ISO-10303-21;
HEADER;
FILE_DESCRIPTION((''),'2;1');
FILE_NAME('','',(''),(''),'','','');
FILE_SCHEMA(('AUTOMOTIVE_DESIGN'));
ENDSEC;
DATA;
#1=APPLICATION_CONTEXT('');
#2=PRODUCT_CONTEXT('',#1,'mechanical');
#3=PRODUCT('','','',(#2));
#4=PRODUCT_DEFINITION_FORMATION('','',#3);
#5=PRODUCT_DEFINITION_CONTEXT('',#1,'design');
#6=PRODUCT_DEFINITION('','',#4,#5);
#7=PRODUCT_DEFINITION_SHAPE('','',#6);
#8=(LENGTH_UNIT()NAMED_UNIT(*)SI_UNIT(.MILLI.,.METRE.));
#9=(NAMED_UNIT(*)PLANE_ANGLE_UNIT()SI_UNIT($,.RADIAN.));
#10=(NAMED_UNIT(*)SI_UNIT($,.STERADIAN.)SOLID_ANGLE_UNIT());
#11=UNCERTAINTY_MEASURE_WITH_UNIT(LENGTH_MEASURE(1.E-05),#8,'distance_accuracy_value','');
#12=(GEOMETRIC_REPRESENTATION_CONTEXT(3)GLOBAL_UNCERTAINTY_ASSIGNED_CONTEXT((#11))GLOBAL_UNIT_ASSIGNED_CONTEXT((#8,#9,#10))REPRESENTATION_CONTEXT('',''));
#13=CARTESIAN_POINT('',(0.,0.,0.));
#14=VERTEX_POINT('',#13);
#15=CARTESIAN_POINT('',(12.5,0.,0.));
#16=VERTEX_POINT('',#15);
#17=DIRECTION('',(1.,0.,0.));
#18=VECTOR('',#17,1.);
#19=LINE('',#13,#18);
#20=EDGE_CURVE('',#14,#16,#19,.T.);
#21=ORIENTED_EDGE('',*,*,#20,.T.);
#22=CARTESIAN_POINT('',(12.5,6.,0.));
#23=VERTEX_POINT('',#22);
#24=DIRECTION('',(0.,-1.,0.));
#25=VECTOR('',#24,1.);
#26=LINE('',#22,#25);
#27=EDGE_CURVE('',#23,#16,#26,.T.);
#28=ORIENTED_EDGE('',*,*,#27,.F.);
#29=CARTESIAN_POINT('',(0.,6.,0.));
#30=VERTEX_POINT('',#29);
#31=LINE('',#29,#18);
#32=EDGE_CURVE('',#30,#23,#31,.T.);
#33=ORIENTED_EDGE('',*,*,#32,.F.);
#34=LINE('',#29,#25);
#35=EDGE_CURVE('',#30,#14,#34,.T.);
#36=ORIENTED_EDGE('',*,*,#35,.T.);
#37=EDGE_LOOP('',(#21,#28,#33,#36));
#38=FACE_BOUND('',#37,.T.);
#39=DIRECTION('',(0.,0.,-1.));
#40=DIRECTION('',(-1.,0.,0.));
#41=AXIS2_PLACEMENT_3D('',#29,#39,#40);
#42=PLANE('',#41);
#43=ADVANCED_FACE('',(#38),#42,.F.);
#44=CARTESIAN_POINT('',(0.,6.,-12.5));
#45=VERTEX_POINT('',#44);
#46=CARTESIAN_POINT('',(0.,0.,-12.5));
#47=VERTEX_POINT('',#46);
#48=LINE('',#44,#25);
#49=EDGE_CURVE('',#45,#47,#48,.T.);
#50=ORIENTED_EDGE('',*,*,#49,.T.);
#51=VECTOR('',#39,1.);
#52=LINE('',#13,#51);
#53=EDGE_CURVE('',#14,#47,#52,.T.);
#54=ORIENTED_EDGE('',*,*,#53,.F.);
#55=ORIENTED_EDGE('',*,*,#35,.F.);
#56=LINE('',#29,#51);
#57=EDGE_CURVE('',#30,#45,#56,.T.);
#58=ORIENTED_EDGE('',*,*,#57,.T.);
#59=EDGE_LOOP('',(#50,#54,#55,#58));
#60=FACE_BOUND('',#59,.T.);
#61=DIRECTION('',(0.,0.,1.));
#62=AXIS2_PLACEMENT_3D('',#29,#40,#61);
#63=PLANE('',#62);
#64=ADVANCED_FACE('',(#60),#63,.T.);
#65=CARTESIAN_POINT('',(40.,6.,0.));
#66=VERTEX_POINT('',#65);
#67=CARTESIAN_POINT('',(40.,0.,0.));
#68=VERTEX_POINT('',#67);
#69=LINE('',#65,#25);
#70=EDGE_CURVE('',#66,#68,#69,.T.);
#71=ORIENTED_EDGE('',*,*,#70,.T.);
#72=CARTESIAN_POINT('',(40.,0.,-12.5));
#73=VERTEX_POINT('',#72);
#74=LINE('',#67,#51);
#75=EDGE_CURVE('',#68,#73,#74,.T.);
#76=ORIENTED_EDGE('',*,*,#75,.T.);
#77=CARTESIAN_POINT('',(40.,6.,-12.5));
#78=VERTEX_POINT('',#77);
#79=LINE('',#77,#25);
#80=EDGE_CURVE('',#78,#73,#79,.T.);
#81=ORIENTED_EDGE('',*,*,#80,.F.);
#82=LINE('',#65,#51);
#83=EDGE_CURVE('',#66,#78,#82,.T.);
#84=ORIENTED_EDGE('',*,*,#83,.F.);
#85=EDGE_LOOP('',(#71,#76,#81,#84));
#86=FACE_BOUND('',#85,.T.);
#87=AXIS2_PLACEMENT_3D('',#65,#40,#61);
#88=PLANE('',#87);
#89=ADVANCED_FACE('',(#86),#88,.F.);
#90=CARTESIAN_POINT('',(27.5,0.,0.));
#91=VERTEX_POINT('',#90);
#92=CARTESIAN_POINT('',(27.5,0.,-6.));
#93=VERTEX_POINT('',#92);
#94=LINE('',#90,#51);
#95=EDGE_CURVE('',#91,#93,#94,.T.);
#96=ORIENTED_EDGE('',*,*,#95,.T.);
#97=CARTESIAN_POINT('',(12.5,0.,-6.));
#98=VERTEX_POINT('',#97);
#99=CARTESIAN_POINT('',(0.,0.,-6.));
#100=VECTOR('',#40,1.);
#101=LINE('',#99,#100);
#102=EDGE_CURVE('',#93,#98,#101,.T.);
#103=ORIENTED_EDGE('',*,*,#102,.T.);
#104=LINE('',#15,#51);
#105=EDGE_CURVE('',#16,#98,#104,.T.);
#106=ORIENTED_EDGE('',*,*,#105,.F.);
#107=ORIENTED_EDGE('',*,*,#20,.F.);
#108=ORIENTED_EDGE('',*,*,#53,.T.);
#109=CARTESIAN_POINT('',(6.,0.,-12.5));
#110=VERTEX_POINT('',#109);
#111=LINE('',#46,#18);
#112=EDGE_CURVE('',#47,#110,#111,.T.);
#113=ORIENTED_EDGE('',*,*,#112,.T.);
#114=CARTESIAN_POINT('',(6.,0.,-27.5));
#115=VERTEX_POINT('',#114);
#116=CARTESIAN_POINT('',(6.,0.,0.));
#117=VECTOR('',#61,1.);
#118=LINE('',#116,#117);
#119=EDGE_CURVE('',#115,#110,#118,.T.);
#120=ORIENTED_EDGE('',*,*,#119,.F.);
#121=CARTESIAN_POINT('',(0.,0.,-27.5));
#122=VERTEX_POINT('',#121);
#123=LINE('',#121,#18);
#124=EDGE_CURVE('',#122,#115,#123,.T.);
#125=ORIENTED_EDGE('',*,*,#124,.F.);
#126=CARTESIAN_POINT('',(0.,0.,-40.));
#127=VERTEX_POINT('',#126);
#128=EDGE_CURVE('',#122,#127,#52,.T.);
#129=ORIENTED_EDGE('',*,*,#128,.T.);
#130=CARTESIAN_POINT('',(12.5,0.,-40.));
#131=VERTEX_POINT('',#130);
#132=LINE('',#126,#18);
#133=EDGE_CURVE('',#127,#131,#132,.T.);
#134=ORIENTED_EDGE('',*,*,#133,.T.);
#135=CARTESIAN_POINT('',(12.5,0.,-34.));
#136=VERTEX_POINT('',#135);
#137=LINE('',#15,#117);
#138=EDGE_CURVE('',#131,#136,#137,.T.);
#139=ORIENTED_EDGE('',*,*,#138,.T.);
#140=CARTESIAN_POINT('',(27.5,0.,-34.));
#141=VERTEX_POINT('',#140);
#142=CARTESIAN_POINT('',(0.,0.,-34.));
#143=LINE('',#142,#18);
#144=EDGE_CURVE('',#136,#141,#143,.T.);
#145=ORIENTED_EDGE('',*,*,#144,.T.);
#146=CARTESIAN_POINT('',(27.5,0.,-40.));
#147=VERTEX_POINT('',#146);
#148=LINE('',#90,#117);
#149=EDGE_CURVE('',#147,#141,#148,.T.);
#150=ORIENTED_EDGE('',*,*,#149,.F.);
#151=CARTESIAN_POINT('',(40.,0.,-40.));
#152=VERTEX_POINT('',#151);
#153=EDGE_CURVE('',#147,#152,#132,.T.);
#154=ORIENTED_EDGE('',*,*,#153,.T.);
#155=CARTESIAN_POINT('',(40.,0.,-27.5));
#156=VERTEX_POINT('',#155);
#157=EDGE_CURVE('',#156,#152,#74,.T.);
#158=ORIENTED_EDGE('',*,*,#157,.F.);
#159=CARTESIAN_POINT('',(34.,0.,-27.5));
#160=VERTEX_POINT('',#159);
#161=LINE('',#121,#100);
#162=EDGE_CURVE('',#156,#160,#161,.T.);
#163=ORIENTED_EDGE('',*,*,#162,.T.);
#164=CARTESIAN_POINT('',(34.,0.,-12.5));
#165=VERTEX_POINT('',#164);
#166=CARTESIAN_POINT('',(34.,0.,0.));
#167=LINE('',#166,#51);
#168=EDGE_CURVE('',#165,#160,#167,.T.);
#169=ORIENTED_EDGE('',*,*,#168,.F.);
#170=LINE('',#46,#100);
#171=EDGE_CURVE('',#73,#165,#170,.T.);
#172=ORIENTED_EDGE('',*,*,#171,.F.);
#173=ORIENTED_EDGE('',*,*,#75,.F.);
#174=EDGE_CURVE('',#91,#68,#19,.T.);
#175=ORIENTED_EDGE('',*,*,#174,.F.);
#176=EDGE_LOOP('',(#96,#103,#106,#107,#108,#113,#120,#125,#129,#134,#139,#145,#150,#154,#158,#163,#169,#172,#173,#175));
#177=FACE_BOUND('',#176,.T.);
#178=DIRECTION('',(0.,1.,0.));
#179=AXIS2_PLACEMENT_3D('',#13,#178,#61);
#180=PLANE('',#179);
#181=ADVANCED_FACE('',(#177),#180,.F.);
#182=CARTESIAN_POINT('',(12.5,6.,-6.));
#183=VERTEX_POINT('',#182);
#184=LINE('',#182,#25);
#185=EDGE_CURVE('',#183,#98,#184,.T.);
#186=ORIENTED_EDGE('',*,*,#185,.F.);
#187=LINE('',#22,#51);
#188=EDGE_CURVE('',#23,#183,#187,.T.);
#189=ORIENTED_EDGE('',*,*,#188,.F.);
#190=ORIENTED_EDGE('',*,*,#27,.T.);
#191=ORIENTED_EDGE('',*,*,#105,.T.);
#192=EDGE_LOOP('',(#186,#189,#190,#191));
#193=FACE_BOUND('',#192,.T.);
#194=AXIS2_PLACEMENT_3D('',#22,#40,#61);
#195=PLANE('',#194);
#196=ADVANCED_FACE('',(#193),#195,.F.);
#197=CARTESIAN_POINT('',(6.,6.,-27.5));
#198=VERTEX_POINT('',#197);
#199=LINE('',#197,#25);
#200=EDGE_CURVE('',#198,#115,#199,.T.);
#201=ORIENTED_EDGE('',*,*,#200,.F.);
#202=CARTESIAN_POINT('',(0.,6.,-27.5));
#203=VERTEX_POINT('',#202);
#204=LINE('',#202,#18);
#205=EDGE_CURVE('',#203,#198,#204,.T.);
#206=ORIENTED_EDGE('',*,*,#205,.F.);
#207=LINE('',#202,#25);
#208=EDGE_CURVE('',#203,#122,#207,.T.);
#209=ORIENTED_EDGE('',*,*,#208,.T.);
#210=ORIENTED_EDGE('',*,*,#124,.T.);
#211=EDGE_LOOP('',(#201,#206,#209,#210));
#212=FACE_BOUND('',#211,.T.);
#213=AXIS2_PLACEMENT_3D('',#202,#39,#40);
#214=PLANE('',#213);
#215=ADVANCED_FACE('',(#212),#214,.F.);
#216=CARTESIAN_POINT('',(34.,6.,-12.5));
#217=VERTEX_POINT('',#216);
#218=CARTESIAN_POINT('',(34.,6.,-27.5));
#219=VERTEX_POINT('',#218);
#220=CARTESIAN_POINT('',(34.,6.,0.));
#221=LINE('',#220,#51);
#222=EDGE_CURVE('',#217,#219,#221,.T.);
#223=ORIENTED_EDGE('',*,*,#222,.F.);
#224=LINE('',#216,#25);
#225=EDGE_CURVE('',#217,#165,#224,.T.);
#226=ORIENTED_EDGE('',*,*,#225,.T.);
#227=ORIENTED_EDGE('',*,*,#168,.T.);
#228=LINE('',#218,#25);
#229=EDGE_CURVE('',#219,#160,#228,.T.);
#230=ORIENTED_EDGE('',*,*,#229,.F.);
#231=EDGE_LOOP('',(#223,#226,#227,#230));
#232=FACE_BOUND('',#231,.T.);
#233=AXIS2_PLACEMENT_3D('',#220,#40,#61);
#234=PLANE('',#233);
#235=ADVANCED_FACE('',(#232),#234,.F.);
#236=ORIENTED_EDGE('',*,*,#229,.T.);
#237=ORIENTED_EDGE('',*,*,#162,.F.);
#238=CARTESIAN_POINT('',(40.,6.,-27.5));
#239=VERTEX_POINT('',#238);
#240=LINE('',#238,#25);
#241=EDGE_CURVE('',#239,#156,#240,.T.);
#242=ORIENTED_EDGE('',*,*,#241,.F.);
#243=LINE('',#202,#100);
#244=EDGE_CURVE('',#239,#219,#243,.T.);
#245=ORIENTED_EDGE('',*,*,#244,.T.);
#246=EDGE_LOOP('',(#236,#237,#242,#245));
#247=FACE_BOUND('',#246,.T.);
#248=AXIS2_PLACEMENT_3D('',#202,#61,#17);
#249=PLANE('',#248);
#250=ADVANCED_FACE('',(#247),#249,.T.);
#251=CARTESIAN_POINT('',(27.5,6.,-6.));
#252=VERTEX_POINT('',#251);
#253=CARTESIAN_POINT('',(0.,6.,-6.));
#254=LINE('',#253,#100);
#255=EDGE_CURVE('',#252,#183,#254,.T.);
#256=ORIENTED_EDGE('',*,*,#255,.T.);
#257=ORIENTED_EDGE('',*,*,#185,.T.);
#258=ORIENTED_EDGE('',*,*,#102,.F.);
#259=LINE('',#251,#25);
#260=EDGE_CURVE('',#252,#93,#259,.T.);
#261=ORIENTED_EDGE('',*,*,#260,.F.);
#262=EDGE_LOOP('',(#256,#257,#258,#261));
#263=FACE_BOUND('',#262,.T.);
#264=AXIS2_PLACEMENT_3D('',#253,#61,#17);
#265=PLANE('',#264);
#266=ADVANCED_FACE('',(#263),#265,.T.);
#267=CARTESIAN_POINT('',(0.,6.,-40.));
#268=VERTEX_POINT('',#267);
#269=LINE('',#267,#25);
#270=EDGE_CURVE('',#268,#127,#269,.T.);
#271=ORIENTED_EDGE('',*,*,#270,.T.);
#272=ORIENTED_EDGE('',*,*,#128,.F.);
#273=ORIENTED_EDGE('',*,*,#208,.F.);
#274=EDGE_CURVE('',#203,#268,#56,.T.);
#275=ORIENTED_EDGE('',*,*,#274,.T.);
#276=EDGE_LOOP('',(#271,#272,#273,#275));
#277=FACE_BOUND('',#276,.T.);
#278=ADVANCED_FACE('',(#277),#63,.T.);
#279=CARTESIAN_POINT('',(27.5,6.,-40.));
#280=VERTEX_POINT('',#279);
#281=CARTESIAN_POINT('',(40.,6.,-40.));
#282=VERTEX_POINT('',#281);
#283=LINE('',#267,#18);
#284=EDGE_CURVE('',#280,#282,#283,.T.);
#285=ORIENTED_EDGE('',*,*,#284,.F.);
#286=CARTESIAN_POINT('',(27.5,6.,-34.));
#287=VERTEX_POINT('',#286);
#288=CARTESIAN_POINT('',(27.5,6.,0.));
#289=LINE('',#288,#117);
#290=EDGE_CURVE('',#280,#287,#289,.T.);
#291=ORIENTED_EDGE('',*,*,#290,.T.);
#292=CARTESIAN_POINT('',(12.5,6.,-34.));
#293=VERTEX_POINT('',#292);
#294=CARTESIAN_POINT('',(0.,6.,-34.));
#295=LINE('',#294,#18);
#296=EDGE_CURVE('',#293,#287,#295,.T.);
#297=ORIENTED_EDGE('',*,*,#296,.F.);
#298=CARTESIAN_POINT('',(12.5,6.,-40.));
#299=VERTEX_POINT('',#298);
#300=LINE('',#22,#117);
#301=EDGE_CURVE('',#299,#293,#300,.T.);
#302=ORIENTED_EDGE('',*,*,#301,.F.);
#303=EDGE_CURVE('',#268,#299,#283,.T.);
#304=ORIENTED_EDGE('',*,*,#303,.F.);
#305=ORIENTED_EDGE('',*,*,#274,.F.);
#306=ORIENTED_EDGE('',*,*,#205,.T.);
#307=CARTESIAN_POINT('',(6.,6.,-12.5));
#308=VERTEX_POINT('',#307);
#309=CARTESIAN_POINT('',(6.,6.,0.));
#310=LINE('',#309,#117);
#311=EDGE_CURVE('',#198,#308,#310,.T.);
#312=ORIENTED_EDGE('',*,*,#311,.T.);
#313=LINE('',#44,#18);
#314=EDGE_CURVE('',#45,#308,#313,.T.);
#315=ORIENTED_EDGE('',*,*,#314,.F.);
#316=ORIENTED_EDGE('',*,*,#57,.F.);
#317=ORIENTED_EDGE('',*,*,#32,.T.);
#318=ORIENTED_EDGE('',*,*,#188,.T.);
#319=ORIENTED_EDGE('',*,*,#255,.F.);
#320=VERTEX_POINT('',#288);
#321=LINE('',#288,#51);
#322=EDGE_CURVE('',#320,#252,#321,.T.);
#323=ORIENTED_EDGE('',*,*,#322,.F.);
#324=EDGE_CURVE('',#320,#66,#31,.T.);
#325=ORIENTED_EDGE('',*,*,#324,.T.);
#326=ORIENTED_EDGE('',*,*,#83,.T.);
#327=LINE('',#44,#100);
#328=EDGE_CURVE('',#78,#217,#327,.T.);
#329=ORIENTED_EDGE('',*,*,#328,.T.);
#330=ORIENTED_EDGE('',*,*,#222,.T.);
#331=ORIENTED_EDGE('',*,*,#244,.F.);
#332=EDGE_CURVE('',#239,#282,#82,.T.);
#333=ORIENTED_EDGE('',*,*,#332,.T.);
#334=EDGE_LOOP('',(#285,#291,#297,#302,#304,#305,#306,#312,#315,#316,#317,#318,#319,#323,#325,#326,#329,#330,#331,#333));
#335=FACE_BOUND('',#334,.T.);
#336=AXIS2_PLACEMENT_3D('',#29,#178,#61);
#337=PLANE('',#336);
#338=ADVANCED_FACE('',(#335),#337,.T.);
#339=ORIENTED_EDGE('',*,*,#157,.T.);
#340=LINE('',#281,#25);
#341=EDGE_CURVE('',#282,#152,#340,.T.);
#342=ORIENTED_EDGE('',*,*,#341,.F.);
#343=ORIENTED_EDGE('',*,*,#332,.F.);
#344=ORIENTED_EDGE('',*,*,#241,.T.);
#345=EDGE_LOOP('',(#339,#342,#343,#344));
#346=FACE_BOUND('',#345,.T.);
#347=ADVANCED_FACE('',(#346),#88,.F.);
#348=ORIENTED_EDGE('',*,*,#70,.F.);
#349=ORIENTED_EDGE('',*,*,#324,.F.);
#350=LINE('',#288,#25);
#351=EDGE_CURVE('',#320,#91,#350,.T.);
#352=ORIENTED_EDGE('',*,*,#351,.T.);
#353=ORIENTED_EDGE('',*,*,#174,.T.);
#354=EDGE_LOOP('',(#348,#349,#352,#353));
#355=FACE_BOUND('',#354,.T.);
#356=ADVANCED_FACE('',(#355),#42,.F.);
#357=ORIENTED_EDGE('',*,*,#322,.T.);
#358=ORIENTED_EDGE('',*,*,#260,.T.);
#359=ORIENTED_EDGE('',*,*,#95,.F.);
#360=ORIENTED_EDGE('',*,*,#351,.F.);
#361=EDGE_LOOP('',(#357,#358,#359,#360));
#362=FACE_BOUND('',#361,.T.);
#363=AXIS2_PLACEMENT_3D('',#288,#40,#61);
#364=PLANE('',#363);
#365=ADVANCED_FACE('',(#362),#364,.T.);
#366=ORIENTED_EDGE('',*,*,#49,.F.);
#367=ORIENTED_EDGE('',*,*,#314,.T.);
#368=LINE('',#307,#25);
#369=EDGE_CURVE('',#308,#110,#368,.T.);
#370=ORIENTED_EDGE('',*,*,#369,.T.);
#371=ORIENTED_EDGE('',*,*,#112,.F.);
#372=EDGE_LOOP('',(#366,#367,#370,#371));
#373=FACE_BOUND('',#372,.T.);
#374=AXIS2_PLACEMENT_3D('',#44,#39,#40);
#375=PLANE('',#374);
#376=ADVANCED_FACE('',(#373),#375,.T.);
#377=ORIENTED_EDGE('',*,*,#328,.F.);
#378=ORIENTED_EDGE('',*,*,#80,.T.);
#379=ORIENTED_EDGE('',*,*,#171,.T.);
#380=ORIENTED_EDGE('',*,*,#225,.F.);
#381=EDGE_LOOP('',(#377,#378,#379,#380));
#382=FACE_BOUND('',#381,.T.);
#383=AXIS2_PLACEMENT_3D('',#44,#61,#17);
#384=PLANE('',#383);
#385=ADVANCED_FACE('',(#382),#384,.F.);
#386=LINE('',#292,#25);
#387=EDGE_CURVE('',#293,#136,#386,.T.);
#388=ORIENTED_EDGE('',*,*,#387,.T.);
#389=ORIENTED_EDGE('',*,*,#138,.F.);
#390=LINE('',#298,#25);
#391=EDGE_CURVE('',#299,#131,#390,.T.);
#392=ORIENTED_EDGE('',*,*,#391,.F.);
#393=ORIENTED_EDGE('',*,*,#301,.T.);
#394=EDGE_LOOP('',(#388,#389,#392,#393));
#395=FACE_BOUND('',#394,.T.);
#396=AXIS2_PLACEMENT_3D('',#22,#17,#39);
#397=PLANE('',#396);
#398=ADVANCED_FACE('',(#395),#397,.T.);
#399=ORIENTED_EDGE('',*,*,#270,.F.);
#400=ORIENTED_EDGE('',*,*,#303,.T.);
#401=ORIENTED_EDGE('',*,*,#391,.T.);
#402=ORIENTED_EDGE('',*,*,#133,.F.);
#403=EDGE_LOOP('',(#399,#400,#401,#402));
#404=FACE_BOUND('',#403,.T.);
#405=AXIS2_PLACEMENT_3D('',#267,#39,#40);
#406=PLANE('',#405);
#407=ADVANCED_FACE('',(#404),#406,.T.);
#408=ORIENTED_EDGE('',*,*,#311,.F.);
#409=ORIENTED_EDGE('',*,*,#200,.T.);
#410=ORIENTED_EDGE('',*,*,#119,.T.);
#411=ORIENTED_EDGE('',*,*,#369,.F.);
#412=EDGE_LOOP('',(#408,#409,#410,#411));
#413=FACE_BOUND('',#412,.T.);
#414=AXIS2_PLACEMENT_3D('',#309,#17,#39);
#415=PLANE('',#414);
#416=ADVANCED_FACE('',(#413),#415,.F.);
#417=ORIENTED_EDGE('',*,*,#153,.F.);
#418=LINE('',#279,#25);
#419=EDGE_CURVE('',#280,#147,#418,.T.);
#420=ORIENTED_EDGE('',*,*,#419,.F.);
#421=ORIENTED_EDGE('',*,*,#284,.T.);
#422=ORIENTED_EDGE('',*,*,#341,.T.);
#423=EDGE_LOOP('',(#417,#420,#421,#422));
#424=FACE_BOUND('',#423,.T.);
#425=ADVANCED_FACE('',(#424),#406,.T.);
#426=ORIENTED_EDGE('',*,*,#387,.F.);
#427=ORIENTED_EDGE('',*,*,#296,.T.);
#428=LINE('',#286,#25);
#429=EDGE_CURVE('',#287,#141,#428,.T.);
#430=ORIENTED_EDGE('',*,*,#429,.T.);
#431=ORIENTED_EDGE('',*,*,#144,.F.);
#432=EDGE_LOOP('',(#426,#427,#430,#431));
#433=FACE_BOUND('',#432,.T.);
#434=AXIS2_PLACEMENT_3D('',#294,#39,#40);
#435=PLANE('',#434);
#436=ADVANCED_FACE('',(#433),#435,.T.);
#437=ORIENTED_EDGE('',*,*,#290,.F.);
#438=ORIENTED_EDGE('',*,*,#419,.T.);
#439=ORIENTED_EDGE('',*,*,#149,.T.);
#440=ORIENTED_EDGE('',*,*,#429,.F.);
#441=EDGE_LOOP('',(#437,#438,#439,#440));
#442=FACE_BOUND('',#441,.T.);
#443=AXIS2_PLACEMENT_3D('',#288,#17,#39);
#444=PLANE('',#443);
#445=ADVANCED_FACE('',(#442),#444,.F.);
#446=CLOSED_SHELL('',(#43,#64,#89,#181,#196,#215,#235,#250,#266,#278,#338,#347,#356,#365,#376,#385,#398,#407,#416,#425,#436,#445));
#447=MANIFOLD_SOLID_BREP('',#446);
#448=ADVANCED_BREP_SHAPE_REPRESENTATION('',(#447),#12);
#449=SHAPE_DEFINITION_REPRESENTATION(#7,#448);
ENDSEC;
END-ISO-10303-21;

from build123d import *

# Parameters (mm, degrees)
SALIENTE_EXTRUIR1_DEPTH = 6


with BuildPart() as part:
    # Croquis1 → Saliente-Extruir1 (new body)
    with BuildSketch(Plane(origin=(0, 0, 0), x_dir=(1, 0, 0), z_dir=(0, 1, 0))):
        Polygon((0, 12.5), (0, 0), (12.5, 0), (12.5, 6), (27.5, 6), (27.5, 0), (40, 0), (40, 12.5), (34, 12.5), (34, 27.5), (40, 27.5), (40, 40), (27.5, 40), (27.5, 34), (12.5, 34), (12.5, 40), (0, 40), (0, 27.5), (6, 27.5), (6, 12.5), align=None)
    extrude(amount=SALIENTE_EXTRUIR1_DEPTH)


solid = part.part
